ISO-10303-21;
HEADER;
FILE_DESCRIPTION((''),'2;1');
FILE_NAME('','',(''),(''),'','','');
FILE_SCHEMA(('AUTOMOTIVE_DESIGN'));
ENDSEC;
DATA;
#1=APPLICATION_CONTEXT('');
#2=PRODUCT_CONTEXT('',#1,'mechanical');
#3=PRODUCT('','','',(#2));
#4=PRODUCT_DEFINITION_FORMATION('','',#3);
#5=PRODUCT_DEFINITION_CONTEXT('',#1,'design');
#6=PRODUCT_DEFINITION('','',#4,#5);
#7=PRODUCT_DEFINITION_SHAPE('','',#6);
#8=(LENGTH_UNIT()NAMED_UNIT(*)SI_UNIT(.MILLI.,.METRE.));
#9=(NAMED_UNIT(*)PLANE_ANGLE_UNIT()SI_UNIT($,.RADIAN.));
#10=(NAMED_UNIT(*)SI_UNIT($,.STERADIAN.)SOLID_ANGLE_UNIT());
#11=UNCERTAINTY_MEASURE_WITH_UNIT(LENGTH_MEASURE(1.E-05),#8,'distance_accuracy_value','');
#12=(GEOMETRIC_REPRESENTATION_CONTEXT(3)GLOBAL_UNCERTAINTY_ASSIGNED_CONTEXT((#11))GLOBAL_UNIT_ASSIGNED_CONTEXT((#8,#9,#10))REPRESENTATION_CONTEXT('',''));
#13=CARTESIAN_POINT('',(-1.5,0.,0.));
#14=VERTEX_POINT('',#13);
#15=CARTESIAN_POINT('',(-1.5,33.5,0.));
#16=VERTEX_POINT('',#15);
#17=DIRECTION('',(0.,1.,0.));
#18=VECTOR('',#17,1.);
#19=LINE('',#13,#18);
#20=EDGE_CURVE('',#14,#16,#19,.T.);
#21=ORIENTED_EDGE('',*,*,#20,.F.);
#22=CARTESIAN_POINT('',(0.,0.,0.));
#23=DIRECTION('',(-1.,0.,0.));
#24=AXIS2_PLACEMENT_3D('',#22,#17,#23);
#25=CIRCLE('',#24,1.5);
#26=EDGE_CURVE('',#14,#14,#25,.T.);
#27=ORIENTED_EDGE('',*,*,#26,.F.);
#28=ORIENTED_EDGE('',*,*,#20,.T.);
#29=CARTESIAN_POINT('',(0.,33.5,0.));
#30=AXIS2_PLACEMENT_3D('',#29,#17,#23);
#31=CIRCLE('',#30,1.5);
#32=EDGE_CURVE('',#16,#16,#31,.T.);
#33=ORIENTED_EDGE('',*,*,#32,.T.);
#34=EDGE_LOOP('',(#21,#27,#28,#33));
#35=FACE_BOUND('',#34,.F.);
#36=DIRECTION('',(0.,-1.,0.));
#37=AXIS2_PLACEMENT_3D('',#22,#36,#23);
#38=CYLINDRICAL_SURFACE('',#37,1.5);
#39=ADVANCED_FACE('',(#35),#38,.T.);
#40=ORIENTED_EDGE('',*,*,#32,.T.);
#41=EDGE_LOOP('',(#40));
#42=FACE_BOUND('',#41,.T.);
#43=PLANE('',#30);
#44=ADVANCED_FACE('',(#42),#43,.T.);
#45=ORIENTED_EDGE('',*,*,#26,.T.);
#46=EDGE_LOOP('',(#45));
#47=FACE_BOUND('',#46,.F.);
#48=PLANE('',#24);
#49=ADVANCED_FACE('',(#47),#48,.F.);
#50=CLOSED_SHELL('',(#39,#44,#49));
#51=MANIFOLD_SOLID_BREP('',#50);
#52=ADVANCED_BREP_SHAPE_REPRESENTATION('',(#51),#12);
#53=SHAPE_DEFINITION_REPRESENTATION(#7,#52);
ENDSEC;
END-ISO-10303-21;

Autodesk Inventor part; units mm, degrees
ref_plane "YZ Plane" through (0, 0, 0) normal (1, 0, 0) x (0, 1, 0)
ref_plane "XZ Plane" through (0, 0, 0) normal (0, 1, 0) x (-1, 0, 0)
ref_plane "XY Plane" through (0, 0, 0) normal (0, 0, 1) x (1, 0, 0)
sketch "スケッチ1" plane through (0, 0, 0) normal (0, 1, 0) x (-1, 0, 0)
  circle A0 centre (0, 0) radius 1.5
  dimension "d0" = 3
extrude "押し出し1" add sketch "スケッチ1" along normal blind 33.5
properties part number "タミヤダンパー部品5" material "真鍮"
